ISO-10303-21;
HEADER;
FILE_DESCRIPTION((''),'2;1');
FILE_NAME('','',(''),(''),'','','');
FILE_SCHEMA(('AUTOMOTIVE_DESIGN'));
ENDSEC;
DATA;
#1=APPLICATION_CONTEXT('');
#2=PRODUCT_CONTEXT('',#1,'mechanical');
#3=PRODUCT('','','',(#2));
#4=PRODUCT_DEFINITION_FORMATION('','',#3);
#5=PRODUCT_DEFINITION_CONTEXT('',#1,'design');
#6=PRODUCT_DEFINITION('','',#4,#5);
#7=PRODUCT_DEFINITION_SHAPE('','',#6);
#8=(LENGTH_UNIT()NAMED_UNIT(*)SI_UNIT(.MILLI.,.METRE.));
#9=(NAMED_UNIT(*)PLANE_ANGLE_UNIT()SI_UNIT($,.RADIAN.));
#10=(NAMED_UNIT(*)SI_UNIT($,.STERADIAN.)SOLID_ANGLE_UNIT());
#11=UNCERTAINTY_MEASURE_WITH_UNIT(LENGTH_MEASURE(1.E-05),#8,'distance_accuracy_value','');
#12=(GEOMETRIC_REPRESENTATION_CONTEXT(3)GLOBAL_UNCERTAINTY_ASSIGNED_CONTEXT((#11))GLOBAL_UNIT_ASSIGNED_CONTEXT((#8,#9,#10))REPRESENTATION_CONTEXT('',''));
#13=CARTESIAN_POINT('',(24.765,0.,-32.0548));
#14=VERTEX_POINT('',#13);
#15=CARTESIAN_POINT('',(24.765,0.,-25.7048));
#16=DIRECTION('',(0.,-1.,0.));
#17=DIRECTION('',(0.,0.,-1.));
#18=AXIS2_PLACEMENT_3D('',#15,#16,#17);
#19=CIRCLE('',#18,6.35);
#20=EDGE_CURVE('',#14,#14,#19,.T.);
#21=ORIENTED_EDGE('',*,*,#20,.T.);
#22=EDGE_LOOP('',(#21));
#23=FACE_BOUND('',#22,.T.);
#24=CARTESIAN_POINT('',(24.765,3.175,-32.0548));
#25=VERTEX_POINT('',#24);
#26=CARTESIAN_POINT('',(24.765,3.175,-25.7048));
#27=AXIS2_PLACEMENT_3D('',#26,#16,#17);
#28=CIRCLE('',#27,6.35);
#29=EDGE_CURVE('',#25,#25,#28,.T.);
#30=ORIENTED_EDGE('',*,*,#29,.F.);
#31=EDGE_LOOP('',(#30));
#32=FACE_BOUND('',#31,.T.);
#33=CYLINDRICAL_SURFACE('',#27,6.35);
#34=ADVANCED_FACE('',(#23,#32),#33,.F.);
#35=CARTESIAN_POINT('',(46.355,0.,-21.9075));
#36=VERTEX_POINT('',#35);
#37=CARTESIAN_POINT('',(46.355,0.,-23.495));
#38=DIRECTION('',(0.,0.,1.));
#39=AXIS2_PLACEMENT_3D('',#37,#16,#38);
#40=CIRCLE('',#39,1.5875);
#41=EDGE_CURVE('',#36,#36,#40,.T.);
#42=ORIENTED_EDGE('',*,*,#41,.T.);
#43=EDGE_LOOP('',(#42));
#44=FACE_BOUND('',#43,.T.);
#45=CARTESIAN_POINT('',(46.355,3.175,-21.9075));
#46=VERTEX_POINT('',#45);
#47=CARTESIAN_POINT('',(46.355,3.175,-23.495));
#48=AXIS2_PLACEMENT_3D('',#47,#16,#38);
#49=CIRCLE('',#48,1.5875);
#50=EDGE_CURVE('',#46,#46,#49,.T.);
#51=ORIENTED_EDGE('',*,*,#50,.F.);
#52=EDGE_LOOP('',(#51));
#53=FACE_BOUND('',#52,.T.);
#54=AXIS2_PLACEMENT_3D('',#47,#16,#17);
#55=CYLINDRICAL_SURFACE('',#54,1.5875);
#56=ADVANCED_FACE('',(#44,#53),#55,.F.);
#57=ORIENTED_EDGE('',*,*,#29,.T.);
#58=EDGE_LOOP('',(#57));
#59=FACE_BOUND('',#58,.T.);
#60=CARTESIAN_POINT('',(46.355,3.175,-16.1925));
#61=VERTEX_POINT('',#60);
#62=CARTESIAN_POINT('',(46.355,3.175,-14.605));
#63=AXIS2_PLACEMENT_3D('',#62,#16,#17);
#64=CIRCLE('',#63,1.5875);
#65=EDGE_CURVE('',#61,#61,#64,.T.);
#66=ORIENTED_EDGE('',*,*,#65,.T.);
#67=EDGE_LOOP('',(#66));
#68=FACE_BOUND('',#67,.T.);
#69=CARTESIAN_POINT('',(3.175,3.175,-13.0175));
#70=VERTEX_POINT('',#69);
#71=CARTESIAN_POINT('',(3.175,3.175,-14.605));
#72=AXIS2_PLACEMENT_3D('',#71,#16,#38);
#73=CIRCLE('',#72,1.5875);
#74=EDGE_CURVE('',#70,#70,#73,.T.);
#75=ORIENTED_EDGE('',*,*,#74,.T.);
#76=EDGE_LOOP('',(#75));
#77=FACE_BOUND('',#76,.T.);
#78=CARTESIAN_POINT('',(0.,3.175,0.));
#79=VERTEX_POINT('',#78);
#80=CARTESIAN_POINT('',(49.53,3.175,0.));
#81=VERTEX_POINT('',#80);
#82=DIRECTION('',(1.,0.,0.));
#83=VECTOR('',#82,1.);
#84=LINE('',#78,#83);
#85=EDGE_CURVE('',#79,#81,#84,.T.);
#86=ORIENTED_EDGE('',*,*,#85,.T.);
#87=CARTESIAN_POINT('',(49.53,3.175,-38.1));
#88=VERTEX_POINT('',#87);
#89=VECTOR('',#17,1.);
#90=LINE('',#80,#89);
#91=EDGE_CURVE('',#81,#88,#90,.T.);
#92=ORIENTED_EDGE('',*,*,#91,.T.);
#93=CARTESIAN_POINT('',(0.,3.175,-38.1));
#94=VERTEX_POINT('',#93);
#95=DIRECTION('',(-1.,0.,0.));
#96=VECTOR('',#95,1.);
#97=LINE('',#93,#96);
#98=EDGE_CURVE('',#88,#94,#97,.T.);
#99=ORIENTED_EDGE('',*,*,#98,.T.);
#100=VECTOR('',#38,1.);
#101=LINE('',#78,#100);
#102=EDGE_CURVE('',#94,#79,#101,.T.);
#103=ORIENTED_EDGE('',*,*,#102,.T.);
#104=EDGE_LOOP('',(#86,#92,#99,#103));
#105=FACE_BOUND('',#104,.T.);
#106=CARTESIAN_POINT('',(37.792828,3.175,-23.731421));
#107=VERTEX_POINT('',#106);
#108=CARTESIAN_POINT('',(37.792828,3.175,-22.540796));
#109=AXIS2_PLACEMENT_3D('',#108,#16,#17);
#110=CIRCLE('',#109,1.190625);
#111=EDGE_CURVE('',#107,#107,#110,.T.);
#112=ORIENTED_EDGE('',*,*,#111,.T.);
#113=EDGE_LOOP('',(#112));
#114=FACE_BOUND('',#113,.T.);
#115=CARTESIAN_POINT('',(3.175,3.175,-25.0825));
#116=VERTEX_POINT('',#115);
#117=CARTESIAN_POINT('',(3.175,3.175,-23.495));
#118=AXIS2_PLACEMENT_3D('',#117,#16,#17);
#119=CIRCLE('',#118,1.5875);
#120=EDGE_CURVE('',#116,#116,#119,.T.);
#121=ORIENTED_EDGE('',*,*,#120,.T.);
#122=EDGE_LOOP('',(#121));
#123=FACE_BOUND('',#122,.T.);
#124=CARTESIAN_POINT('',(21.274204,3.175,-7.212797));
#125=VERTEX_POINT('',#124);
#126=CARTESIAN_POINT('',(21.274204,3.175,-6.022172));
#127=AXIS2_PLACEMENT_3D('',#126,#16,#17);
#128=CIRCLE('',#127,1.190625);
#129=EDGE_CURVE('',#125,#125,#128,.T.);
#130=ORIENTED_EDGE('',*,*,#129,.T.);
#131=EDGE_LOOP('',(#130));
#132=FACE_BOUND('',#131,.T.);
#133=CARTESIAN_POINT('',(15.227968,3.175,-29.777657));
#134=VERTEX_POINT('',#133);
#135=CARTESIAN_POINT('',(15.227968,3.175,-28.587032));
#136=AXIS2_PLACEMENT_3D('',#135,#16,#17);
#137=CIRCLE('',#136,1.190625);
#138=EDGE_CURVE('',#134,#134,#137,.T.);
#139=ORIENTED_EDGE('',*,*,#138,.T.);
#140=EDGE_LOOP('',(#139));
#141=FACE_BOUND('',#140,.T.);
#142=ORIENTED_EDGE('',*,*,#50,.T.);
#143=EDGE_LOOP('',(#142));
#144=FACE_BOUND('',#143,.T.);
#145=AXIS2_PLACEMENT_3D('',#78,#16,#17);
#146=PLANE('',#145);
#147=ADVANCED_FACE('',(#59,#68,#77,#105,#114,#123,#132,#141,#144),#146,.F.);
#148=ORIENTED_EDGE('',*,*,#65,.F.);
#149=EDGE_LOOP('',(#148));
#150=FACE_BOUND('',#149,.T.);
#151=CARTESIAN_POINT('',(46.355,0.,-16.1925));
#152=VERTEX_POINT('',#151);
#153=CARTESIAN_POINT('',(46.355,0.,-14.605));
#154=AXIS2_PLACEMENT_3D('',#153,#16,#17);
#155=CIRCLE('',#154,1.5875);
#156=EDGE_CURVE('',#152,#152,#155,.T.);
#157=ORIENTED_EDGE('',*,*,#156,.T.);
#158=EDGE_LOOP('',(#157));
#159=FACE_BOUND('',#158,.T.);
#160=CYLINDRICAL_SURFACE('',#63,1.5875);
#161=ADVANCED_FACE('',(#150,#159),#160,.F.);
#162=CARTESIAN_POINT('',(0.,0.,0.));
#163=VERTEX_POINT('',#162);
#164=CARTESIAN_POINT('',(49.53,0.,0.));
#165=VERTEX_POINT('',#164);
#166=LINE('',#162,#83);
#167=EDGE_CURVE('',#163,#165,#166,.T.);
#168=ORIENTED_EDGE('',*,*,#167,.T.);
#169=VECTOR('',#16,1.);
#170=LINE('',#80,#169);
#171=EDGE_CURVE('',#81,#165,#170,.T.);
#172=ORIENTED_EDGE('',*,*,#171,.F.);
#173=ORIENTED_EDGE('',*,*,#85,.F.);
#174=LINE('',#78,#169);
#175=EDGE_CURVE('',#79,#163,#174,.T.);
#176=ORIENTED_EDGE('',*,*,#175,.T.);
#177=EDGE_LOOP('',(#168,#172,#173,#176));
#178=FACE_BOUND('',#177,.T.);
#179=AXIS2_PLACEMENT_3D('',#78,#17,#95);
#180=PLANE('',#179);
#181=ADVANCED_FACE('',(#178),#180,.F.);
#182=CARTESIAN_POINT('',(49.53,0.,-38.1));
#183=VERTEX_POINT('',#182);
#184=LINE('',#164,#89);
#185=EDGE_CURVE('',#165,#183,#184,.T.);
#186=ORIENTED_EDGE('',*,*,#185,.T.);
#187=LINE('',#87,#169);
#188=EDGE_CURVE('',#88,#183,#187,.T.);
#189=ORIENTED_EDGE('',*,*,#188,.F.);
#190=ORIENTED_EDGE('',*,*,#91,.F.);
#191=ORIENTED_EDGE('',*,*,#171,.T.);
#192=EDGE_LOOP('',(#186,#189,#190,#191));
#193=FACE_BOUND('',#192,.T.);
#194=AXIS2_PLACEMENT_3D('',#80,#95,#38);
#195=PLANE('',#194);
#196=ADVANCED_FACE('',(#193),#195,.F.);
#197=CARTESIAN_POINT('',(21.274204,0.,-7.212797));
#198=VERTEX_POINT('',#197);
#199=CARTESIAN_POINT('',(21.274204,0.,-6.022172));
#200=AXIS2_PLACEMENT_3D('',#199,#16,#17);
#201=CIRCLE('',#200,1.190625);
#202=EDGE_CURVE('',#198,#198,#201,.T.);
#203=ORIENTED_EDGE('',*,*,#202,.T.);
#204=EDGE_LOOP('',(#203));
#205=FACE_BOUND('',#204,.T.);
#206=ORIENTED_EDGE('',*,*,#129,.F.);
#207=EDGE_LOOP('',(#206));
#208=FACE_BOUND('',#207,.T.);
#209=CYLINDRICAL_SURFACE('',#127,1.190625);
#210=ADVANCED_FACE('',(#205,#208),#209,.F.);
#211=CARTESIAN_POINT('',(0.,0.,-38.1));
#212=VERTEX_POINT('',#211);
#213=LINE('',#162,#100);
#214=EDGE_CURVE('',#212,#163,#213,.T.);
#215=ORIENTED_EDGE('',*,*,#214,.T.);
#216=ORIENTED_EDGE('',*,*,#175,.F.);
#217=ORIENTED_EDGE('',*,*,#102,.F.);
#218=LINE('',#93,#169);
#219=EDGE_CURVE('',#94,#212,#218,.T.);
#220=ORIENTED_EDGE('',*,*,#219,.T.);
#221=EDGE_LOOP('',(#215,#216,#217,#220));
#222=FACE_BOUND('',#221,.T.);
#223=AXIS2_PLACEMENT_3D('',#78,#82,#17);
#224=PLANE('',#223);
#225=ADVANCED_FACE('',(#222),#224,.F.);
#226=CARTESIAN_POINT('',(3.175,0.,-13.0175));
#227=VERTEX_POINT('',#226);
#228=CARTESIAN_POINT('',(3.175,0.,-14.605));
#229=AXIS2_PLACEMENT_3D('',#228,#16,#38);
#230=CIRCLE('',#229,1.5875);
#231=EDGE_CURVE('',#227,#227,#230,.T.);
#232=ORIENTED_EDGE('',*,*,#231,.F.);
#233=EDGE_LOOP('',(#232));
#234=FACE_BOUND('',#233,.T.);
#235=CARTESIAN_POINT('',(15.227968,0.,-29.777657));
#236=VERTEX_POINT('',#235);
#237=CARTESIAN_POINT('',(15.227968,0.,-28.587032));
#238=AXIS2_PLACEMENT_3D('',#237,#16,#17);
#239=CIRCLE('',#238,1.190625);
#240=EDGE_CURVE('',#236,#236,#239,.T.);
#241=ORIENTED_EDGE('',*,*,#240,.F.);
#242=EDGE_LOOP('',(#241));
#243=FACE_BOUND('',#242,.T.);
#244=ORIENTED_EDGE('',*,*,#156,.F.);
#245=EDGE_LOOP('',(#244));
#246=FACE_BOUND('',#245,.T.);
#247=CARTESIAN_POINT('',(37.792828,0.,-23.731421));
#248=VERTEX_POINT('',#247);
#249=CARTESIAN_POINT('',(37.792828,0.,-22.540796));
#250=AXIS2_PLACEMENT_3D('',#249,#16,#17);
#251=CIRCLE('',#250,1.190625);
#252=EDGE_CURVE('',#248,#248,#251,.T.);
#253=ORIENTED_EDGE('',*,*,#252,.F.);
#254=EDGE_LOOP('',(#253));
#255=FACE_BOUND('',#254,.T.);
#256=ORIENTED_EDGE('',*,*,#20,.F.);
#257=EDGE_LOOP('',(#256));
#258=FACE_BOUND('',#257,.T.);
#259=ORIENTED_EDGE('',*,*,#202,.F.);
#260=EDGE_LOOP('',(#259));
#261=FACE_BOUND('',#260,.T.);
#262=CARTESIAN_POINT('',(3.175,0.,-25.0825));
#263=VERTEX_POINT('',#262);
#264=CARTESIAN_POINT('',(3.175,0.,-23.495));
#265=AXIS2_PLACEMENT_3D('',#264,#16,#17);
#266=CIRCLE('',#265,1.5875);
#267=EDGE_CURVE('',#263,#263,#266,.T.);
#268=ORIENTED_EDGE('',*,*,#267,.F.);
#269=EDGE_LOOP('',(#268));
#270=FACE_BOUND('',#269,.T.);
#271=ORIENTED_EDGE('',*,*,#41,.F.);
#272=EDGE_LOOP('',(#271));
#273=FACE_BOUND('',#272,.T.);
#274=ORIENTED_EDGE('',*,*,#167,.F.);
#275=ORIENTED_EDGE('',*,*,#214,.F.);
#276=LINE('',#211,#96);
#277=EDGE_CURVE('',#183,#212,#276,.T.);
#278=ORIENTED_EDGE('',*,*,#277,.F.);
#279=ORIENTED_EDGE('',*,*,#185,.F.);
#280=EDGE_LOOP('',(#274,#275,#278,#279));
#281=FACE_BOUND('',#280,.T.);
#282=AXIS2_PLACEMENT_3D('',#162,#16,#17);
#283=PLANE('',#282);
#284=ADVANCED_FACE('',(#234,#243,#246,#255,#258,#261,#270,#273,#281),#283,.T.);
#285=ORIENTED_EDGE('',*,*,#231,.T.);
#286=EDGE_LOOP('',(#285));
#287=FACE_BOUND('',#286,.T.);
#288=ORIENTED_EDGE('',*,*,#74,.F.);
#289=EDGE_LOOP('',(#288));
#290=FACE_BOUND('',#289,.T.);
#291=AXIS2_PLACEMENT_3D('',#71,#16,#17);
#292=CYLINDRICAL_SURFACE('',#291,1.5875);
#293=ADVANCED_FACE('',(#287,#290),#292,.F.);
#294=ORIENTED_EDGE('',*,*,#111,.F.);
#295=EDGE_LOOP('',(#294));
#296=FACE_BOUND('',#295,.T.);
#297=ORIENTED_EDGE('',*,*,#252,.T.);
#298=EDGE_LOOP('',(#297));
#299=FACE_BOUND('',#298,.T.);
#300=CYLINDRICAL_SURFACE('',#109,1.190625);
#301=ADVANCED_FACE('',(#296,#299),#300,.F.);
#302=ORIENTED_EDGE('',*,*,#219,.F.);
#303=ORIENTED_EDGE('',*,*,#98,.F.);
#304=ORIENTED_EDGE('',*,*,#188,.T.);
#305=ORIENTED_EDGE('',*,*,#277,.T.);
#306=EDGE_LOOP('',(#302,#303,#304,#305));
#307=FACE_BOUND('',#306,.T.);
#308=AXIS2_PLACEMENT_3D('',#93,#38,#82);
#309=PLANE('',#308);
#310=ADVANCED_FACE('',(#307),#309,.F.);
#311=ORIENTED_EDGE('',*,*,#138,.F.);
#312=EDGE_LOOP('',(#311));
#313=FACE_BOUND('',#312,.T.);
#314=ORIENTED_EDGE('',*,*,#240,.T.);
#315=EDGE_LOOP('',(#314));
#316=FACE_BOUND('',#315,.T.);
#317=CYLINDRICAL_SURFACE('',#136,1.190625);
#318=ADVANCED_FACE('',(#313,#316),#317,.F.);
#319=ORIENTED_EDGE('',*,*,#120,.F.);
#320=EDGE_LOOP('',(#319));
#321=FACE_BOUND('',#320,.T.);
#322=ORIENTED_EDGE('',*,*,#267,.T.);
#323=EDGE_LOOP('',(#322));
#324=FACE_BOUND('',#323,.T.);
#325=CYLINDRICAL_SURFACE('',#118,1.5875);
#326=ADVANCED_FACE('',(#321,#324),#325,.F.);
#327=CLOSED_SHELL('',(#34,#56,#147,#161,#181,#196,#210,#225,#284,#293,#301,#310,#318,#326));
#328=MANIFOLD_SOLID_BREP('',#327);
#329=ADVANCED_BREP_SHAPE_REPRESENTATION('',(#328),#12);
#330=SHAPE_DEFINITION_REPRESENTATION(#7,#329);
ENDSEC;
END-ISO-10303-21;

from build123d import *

# Parameters (mm, degrees)
SKETCH1_W           = 49.53
SKETCH1_H           = 38.1
BOSS_EXTRUDE1_DEPTH = 3.175
SKETCH4_R           = 1.190625
SKETCH4_R_2         = 6.35
SKETCH4_R_3         = 1.5875
CUT_EXTRUDE2_DEPTH  = 63.569253831


with BuildPart() as part:
    # Sketch1 → Boss-Extrude1 (new body)
    with BuildSketch(Plane(origin=(0, 0, 0), x_dir=(1, 0, 0), z_dir=(0, 1, 0))):
        with Locations((24.765, 19.05)):
            Rectangle(SKETCH1_W, SKETCH1_H)
    extrude(amount=BOSS_EXTRUDE1_DEPTH)

    # Sketch4 → Cut-Extrude2 (cut, through all)
    with BuildSketch(Plane.XZ):
        with Locations(Location((21.274204011, -6.022172011, 0), (0, 0, 270))):
            Circle(SKETCH4_R)
        with Locations(Location((37.792827989, -22.540795989, 0), (0, 0, 270))):
            Circle(SKETCH4_R)
        with Locations(Location((15.227967999, -28.587032001, 0), (0, 0, 270))):
            Circle(SKETCH4_R)
        with Locations(Location((24.765, -25.7048, 0), (0, 0, 270))):
            Circle(SKETCH4_R_2)
        with Locations(Location((3.175, -23.495, 0), (0, 0, 270))):
            Circle(SKETCH4_R_3)
        with Locations(Location((3.175, -14.605, 0), (0, 0, 90))):
            Circle(SKETCH4_R_3)
        with Locations(Location((46.355, -14.605, 0), (0, 0, 270))):
            Circle(SKETCH4_R_3)
        with Locations(Location((46.355, -23.495, 0), (0, 0, 90))):
            Circle(SKETCH4_R_3)
    extrude(amount=-CUT_EXTRUDE2_DEPTH, mode=Mode.SUBTRACT)


solid = part.part
